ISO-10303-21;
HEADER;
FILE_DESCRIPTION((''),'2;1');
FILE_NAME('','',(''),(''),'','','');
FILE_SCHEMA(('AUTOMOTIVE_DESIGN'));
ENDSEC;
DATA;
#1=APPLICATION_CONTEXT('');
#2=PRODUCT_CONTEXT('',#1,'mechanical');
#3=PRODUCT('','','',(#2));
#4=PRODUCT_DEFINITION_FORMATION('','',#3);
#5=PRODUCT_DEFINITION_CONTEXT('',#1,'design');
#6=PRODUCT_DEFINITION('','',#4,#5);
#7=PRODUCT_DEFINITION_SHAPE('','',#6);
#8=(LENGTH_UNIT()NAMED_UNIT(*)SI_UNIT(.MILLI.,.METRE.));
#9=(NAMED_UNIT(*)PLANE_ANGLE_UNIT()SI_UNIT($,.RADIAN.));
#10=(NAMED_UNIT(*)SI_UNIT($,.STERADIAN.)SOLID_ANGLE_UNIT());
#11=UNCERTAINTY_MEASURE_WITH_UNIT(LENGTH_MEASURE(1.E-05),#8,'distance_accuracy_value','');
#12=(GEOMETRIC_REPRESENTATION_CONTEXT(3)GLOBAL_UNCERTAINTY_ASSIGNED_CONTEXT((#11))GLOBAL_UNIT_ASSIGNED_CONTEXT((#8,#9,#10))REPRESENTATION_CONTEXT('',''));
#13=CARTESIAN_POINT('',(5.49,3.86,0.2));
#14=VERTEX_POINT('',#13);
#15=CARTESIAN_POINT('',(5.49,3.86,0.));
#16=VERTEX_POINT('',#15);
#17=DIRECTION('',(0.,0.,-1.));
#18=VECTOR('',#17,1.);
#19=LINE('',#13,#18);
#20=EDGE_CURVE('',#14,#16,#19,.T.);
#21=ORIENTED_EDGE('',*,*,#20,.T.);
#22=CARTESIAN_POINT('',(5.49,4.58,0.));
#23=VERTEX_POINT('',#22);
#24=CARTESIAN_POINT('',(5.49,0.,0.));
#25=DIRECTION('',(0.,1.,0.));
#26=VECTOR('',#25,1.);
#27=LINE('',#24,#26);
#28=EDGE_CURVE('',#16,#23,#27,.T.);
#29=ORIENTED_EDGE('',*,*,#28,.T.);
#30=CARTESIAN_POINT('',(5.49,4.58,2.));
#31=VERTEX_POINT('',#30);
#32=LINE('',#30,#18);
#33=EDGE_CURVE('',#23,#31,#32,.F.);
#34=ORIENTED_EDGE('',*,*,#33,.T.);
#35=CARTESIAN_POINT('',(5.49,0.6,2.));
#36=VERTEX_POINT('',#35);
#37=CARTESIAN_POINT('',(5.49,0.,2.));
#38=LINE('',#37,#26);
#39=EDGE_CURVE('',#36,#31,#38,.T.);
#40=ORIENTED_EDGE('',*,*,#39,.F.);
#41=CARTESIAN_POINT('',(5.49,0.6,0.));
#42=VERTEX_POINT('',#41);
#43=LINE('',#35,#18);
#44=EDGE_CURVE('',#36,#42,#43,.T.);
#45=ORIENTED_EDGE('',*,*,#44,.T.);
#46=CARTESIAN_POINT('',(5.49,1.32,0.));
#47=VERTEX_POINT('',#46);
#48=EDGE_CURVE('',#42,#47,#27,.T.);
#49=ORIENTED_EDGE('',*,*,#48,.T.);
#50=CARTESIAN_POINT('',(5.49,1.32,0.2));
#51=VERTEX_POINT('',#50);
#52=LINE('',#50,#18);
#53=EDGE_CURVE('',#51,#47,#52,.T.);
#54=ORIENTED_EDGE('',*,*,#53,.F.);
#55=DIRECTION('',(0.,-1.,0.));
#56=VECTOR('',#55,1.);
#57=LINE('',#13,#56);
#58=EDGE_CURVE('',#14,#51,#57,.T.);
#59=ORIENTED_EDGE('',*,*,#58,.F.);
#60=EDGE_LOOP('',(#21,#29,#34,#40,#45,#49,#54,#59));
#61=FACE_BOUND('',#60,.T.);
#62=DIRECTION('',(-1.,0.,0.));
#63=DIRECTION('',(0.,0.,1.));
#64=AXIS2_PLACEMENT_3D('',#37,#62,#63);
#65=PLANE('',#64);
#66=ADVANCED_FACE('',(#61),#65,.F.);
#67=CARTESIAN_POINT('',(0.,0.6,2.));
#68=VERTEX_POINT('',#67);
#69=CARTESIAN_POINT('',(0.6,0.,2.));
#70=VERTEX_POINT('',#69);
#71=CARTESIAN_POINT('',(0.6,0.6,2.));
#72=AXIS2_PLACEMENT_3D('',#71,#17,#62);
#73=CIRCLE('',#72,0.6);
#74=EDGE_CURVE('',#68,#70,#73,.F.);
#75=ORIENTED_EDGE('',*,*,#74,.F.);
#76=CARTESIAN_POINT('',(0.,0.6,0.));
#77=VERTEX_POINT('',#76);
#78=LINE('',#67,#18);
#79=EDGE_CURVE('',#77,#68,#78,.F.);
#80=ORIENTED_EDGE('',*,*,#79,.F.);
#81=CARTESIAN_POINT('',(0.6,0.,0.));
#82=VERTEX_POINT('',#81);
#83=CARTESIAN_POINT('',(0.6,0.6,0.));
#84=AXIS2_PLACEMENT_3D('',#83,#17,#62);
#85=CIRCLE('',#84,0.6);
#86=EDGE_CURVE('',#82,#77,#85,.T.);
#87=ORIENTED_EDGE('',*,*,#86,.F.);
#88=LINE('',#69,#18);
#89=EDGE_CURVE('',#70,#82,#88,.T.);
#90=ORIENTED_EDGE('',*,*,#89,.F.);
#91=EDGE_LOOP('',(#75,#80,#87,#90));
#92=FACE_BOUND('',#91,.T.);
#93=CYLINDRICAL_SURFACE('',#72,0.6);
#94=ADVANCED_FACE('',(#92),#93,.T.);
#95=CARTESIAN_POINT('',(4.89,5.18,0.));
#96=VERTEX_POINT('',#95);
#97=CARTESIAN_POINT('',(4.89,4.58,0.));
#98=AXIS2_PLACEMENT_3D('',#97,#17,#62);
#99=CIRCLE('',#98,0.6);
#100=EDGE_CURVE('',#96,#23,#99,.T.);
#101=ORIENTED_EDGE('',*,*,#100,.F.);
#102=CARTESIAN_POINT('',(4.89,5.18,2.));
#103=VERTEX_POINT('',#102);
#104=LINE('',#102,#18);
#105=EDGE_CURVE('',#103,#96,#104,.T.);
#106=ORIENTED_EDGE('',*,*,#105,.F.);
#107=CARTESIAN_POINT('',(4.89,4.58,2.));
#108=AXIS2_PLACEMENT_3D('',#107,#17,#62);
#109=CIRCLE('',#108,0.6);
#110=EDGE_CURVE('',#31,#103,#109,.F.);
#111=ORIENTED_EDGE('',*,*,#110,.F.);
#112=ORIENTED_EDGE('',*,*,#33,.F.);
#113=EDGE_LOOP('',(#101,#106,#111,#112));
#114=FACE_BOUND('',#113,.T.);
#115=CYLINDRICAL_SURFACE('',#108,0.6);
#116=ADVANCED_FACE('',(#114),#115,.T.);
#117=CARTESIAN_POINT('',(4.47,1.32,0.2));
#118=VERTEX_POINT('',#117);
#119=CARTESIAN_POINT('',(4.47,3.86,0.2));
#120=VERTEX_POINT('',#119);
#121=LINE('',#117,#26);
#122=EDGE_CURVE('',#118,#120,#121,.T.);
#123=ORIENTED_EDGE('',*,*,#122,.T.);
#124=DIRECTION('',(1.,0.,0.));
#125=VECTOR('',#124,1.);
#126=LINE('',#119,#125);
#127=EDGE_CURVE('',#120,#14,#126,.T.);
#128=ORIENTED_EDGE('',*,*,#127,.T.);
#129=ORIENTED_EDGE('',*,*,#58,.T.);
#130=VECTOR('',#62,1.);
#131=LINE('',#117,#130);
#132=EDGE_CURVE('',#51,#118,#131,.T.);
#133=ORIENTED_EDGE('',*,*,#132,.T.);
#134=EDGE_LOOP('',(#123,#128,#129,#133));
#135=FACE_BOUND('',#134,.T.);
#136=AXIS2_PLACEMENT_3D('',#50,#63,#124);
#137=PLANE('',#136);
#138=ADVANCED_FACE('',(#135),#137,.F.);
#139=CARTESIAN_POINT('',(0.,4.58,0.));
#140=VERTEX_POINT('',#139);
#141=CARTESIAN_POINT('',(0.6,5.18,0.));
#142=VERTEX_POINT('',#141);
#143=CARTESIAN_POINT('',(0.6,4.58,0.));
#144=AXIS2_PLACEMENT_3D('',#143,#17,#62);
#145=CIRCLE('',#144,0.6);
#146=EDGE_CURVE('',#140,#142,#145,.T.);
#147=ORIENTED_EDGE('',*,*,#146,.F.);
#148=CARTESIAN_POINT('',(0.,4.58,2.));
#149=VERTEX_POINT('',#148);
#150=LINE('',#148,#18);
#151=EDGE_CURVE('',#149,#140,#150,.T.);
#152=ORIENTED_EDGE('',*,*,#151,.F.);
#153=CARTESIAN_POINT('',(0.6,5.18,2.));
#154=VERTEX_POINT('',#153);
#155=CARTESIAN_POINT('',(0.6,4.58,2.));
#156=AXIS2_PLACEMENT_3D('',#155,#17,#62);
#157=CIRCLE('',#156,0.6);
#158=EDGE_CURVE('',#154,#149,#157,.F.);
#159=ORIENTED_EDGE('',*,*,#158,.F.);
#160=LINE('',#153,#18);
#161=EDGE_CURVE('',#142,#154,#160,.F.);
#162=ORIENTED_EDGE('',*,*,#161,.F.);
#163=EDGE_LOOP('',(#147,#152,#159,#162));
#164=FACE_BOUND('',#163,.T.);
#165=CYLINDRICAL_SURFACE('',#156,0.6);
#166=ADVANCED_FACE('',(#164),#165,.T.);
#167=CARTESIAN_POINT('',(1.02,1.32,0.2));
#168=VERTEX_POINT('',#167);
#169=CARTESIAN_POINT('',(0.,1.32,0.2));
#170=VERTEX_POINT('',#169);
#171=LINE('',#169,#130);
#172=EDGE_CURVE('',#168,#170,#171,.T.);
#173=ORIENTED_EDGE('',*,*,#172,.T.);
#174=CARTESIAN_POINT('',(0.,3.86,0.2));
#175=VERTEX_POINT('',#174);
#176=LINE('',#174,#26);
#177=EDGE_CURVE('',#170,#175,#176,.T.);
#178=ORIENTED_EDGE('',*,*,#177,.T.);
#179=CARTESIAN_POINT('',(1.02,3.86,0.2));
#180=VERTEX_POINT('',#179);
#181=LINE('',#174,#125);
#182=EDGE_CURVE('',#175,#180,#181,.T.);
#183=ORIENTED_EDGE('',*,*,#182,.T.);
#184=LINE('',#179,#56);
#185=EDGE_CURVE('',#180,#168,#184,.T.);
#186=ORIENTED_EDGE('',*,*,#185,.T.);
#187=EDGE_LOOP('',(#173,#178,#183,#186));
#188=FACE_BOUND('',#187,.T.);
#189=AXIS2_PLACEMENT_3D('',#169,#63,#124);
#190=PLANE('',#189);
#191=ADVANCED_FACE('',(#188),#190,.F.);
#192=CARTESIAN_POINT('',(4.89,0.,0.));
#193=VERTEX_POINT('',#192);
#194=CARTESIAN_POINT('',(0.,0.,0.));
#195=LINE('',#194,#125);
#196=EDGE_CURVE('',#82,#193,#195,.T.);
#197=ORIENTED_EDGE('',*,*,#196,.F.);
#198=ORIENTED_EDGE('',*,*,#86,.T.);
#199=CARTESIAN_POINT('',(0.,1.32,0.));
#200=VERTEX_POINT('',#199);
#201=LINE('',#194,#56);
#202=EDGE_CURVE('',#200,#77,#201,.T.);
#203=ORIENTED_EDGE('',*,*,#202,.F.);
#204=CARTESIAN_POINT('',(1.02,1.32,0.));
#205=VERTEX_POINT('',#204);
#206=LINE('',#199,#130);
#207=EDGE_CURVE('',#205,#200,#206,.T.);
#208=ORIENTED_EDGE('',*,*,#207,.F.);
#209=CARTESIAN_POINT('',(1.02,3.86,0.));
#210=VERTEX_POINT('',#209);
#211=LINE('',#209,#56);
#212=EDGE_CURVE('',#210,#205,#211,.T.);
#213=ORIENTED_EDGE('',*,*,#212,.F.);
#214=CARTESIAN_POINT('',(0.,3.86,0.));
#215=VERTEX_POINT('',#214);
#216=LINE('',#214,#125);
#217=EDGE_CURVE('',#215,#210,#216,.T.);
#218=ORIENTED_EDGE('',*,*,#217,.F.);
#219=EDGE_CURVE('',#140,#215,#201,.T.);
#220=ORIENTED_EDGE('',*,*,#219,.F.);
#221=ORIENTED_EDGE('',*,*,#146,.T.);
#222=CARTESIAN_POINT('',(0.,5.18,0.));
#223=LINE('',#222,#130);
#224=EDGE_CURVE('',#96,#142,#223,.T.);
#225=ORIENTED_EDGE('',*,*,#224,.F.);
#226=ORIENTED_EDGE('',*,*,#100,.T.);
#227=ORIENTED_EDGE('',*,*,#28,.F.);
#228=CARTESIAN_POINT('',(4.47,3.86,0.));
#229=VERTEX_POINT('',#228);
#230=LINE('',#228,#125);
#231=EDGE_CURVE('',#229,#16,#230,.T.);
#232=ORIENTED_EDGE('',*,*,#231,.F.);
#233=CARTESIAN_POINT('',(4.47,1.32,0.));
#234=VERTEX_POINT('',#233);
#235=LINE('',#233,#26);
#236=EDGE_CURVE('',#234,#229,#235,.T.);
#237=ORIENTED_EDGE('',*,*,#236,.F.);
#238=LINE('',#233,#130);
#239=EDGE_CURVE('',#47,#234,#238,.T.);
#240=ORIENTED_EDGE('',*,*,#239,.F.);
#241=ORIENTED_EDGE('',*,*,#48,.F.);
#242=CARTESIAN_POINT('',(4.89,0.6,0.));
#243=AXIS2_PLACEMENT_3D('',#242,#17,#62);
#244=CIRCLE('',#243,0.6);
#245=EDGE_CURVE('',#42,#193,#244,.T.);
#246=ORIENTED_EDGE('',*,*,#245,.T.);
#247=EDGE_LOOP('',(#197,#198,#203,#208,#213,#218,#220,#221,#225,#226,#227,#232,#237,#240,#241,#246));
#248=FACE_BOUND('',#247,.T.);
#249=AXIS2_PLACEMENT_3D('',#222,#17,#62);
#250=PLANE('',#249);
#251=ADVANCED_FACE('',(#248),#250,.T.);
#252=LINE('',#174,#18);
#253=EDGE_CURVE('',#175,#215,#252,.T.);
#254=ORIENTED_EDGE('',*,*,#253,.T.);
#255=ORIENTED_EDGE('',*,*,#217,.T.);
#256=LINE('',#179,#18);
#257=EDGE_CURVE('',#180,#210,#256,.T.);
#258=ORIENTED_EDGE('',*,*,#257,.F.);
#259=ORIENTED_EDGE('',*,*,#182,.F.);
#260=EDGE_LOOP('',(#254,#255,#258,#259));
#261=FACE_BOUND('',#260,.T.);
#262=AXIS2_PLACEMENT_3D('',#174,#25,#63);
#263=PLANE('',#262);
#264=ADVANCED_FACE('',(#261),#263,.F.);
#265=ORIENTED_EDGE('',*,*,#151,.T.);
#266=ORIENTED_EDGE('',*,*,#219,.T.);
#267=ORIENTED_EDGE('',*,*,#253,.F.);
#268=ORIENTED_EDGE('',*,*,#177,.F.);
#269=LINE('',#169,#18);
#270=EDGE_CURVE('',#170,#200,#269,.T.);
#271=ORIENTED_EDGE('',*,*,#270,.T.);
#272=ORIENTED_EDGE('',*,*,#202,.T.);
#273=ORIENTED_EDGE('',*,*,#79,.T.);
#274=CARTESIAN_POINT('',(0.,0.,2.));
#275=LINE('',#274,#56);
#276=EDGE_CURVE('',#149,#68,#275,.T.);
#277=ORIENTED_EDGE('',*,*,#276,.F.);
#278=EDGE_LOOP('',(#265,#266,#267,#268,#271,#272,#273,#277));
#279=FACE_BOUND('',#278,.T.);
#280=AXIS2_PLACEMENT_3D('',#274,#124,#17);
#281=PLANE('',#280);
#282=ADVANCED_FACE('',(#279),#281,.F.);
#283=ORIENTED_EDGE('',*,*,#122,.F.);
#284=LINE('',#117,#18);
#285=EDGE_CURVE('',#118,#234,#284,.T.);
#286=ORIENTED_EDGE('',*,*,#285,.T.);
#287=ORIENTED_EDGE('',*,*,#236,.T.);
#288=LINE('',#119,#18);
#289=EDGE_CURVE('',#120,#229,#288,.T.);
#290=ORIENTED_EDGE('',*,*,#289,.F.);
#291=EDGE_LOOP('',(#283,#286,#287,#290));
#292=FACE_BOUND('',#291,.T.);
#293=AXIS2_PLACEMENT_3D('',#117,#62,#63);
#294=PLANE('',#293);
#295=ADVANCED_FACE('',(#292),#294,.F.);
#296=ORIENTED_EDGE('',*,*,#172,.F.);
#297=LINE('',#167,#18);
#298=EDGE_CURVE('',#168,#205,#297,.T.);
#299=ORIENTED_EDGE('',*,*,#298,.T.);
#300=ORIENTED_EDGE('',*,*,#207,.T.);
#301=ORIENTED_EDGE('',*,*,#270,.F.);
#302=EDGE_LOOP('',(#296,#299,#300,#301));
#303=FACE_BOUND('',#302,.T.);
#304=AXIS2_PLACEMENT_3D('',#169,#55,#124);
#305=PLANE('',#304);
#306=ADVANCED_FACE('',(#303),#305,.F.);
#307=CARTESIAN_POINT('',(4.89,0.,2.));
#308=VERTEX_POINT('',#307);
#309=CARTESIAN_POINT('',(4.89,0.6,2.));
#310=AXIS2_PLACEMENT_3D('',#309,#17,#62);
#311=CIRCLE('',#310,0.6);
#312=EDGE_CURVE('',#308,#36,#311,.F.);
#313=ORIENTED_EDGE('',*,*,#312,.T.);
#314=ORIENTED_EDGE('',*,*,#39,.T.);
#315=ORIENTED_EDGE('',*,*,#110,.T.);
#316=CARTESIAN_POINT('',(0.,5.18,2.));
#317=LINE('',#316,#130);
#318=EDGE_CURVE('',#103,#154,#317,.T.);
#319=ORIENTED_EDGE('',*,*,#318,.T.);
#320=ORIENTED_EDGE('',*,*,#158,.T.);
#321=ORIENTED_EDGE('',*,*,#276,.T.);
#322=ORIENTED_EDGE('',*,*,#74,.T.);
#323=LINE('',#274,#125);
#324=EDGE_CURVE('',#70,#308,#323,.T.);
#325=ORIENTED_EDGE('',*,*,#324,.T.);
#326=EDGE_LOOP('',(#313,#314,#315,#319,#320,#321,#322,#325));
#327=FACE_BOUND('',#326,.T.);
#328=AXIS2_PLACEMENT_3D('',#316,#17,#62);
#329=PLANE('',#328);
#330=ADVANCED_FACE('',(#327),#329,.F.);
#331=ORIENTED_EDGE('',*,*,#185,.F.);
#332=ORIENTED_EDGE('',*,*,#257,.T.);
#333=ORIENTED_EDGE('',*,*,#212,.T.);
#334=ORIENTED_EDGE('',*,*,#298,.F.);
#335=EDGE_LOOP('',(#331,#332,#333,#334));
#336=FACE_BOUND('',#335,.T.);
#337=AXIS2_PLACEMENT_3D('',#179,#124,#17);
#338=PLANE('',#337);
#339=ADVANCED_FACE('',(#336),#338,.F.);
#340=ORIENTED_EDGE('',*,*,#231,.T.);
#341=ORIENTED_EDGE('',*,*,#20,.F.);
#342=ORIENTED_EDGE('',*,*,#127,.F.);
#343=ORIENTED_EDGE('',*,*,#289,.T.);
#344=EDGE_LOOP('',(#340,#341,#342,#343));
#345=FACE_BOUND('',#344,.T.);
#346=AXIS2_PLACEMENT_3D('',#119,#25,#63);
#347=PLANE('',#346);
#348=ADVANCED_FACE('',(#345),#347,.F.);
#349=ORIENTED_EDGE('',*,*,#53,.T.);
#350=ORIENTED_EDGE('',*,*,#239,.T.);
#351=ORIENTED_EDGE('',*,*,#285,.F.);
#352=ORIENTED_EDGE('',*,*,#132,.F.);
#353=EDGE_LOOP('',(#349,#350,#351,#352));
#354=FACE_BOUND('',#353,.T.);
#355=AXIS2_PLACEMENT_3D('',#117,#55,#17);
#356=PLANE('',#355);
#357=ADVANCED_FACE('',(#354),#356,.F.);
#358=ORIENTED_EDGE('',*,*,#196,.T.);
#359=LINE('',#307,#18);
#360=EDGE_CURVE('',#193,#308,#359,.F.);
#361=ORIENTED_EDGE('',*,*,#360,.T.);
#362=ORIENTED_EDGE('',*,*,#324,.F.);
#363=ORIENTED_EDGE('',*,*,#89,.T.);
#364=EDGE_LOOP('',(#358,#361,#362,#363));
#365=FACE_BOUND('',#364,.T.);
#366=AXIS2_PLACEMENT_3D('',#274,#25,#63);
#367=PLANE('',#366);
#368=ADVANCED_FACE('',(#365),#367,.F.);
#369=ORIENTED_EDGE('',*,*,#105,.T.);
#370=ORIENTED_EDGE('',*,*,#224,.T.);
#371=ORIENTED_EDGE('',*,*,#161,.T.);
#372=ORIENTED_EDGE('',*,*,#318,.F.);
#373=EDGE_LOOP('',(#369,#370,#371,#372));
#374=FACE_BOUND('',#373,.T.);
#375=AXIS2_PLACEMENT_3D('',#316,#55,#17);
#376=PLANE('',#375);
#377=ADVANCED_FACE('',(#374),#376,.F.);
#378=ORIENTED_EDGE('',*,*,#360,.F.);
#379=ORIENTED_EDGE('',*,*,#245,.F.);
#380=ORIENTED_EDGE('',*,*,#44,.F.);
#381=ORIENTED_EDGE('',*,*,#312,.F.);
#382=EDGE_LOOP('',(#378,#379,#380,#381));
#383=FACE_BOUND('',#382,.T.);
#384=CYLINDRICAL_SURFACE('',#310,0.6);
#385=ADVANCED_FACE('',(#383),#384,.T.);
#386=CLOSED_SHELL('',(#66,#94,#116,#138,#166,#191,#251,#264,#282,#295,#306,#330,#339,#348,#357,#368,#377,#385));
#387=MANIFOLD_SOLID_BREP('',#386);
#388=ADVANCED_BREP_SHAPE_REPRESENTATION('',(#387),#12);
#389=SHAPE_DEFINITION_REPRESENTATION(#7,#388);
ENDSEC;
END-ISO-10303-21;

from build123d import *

# Parameters (mm, degrees)
ESQUISSE1_W             = 5.49
ESQUISSE1_H             = 5.18
BOSS_EXTRU_1_DEPTH      = 2
CONG_1_R                = 0.6
ESQUISSE2_W             = 1.02
ESQUISSE2_H             = 2.54
ENL_V_MAT_EXTRU_1_DEPTH = 0.2


with BuildPart() as part:
    # Esquisse1 → Boss.-Extru.1 (new body)
    with BuildSketch(Plane.XY):
        with Locations((2.745, 2.59)):
            Rectangle(ESQUISSE1_W, ESQUISSE1_H)
    extrude(amount=BOSS_EXTRU_1_DEPTH)

    # Congé1
    cong_1_edges = [part.edges().sort_by_distance(p)[0] for p in [
        (0, 5.18, 1),
        (5.49, 5.18, 1),
        (5.49, 0, 1),
        (0, 0, 1),
    ]]
    fillet(cong_1_edges, radius=CONG_1_R)

    # Esquisse2 → Enlèv. mat.-Extru.1 (cut)
    with BuildSketch(Plane(origin=(0, 0, 0), x_dir=(-1, 0, 0), z_dir=(0, 0, -1))):
        with Locations((-0.51, 2.59)):
            Rectangle(ESQUISSE2_W, ESQUISSE2_H)
        with Locations((-4.98, 2.59)):
            Rectangle(ESQUISSE2_W, ESQUISSE2_H)
    extrude(amount=-ENL_V_MAT_EXTRU_1_DEPTH, mode=Mode.SUBTRACT)


solid = part.part
